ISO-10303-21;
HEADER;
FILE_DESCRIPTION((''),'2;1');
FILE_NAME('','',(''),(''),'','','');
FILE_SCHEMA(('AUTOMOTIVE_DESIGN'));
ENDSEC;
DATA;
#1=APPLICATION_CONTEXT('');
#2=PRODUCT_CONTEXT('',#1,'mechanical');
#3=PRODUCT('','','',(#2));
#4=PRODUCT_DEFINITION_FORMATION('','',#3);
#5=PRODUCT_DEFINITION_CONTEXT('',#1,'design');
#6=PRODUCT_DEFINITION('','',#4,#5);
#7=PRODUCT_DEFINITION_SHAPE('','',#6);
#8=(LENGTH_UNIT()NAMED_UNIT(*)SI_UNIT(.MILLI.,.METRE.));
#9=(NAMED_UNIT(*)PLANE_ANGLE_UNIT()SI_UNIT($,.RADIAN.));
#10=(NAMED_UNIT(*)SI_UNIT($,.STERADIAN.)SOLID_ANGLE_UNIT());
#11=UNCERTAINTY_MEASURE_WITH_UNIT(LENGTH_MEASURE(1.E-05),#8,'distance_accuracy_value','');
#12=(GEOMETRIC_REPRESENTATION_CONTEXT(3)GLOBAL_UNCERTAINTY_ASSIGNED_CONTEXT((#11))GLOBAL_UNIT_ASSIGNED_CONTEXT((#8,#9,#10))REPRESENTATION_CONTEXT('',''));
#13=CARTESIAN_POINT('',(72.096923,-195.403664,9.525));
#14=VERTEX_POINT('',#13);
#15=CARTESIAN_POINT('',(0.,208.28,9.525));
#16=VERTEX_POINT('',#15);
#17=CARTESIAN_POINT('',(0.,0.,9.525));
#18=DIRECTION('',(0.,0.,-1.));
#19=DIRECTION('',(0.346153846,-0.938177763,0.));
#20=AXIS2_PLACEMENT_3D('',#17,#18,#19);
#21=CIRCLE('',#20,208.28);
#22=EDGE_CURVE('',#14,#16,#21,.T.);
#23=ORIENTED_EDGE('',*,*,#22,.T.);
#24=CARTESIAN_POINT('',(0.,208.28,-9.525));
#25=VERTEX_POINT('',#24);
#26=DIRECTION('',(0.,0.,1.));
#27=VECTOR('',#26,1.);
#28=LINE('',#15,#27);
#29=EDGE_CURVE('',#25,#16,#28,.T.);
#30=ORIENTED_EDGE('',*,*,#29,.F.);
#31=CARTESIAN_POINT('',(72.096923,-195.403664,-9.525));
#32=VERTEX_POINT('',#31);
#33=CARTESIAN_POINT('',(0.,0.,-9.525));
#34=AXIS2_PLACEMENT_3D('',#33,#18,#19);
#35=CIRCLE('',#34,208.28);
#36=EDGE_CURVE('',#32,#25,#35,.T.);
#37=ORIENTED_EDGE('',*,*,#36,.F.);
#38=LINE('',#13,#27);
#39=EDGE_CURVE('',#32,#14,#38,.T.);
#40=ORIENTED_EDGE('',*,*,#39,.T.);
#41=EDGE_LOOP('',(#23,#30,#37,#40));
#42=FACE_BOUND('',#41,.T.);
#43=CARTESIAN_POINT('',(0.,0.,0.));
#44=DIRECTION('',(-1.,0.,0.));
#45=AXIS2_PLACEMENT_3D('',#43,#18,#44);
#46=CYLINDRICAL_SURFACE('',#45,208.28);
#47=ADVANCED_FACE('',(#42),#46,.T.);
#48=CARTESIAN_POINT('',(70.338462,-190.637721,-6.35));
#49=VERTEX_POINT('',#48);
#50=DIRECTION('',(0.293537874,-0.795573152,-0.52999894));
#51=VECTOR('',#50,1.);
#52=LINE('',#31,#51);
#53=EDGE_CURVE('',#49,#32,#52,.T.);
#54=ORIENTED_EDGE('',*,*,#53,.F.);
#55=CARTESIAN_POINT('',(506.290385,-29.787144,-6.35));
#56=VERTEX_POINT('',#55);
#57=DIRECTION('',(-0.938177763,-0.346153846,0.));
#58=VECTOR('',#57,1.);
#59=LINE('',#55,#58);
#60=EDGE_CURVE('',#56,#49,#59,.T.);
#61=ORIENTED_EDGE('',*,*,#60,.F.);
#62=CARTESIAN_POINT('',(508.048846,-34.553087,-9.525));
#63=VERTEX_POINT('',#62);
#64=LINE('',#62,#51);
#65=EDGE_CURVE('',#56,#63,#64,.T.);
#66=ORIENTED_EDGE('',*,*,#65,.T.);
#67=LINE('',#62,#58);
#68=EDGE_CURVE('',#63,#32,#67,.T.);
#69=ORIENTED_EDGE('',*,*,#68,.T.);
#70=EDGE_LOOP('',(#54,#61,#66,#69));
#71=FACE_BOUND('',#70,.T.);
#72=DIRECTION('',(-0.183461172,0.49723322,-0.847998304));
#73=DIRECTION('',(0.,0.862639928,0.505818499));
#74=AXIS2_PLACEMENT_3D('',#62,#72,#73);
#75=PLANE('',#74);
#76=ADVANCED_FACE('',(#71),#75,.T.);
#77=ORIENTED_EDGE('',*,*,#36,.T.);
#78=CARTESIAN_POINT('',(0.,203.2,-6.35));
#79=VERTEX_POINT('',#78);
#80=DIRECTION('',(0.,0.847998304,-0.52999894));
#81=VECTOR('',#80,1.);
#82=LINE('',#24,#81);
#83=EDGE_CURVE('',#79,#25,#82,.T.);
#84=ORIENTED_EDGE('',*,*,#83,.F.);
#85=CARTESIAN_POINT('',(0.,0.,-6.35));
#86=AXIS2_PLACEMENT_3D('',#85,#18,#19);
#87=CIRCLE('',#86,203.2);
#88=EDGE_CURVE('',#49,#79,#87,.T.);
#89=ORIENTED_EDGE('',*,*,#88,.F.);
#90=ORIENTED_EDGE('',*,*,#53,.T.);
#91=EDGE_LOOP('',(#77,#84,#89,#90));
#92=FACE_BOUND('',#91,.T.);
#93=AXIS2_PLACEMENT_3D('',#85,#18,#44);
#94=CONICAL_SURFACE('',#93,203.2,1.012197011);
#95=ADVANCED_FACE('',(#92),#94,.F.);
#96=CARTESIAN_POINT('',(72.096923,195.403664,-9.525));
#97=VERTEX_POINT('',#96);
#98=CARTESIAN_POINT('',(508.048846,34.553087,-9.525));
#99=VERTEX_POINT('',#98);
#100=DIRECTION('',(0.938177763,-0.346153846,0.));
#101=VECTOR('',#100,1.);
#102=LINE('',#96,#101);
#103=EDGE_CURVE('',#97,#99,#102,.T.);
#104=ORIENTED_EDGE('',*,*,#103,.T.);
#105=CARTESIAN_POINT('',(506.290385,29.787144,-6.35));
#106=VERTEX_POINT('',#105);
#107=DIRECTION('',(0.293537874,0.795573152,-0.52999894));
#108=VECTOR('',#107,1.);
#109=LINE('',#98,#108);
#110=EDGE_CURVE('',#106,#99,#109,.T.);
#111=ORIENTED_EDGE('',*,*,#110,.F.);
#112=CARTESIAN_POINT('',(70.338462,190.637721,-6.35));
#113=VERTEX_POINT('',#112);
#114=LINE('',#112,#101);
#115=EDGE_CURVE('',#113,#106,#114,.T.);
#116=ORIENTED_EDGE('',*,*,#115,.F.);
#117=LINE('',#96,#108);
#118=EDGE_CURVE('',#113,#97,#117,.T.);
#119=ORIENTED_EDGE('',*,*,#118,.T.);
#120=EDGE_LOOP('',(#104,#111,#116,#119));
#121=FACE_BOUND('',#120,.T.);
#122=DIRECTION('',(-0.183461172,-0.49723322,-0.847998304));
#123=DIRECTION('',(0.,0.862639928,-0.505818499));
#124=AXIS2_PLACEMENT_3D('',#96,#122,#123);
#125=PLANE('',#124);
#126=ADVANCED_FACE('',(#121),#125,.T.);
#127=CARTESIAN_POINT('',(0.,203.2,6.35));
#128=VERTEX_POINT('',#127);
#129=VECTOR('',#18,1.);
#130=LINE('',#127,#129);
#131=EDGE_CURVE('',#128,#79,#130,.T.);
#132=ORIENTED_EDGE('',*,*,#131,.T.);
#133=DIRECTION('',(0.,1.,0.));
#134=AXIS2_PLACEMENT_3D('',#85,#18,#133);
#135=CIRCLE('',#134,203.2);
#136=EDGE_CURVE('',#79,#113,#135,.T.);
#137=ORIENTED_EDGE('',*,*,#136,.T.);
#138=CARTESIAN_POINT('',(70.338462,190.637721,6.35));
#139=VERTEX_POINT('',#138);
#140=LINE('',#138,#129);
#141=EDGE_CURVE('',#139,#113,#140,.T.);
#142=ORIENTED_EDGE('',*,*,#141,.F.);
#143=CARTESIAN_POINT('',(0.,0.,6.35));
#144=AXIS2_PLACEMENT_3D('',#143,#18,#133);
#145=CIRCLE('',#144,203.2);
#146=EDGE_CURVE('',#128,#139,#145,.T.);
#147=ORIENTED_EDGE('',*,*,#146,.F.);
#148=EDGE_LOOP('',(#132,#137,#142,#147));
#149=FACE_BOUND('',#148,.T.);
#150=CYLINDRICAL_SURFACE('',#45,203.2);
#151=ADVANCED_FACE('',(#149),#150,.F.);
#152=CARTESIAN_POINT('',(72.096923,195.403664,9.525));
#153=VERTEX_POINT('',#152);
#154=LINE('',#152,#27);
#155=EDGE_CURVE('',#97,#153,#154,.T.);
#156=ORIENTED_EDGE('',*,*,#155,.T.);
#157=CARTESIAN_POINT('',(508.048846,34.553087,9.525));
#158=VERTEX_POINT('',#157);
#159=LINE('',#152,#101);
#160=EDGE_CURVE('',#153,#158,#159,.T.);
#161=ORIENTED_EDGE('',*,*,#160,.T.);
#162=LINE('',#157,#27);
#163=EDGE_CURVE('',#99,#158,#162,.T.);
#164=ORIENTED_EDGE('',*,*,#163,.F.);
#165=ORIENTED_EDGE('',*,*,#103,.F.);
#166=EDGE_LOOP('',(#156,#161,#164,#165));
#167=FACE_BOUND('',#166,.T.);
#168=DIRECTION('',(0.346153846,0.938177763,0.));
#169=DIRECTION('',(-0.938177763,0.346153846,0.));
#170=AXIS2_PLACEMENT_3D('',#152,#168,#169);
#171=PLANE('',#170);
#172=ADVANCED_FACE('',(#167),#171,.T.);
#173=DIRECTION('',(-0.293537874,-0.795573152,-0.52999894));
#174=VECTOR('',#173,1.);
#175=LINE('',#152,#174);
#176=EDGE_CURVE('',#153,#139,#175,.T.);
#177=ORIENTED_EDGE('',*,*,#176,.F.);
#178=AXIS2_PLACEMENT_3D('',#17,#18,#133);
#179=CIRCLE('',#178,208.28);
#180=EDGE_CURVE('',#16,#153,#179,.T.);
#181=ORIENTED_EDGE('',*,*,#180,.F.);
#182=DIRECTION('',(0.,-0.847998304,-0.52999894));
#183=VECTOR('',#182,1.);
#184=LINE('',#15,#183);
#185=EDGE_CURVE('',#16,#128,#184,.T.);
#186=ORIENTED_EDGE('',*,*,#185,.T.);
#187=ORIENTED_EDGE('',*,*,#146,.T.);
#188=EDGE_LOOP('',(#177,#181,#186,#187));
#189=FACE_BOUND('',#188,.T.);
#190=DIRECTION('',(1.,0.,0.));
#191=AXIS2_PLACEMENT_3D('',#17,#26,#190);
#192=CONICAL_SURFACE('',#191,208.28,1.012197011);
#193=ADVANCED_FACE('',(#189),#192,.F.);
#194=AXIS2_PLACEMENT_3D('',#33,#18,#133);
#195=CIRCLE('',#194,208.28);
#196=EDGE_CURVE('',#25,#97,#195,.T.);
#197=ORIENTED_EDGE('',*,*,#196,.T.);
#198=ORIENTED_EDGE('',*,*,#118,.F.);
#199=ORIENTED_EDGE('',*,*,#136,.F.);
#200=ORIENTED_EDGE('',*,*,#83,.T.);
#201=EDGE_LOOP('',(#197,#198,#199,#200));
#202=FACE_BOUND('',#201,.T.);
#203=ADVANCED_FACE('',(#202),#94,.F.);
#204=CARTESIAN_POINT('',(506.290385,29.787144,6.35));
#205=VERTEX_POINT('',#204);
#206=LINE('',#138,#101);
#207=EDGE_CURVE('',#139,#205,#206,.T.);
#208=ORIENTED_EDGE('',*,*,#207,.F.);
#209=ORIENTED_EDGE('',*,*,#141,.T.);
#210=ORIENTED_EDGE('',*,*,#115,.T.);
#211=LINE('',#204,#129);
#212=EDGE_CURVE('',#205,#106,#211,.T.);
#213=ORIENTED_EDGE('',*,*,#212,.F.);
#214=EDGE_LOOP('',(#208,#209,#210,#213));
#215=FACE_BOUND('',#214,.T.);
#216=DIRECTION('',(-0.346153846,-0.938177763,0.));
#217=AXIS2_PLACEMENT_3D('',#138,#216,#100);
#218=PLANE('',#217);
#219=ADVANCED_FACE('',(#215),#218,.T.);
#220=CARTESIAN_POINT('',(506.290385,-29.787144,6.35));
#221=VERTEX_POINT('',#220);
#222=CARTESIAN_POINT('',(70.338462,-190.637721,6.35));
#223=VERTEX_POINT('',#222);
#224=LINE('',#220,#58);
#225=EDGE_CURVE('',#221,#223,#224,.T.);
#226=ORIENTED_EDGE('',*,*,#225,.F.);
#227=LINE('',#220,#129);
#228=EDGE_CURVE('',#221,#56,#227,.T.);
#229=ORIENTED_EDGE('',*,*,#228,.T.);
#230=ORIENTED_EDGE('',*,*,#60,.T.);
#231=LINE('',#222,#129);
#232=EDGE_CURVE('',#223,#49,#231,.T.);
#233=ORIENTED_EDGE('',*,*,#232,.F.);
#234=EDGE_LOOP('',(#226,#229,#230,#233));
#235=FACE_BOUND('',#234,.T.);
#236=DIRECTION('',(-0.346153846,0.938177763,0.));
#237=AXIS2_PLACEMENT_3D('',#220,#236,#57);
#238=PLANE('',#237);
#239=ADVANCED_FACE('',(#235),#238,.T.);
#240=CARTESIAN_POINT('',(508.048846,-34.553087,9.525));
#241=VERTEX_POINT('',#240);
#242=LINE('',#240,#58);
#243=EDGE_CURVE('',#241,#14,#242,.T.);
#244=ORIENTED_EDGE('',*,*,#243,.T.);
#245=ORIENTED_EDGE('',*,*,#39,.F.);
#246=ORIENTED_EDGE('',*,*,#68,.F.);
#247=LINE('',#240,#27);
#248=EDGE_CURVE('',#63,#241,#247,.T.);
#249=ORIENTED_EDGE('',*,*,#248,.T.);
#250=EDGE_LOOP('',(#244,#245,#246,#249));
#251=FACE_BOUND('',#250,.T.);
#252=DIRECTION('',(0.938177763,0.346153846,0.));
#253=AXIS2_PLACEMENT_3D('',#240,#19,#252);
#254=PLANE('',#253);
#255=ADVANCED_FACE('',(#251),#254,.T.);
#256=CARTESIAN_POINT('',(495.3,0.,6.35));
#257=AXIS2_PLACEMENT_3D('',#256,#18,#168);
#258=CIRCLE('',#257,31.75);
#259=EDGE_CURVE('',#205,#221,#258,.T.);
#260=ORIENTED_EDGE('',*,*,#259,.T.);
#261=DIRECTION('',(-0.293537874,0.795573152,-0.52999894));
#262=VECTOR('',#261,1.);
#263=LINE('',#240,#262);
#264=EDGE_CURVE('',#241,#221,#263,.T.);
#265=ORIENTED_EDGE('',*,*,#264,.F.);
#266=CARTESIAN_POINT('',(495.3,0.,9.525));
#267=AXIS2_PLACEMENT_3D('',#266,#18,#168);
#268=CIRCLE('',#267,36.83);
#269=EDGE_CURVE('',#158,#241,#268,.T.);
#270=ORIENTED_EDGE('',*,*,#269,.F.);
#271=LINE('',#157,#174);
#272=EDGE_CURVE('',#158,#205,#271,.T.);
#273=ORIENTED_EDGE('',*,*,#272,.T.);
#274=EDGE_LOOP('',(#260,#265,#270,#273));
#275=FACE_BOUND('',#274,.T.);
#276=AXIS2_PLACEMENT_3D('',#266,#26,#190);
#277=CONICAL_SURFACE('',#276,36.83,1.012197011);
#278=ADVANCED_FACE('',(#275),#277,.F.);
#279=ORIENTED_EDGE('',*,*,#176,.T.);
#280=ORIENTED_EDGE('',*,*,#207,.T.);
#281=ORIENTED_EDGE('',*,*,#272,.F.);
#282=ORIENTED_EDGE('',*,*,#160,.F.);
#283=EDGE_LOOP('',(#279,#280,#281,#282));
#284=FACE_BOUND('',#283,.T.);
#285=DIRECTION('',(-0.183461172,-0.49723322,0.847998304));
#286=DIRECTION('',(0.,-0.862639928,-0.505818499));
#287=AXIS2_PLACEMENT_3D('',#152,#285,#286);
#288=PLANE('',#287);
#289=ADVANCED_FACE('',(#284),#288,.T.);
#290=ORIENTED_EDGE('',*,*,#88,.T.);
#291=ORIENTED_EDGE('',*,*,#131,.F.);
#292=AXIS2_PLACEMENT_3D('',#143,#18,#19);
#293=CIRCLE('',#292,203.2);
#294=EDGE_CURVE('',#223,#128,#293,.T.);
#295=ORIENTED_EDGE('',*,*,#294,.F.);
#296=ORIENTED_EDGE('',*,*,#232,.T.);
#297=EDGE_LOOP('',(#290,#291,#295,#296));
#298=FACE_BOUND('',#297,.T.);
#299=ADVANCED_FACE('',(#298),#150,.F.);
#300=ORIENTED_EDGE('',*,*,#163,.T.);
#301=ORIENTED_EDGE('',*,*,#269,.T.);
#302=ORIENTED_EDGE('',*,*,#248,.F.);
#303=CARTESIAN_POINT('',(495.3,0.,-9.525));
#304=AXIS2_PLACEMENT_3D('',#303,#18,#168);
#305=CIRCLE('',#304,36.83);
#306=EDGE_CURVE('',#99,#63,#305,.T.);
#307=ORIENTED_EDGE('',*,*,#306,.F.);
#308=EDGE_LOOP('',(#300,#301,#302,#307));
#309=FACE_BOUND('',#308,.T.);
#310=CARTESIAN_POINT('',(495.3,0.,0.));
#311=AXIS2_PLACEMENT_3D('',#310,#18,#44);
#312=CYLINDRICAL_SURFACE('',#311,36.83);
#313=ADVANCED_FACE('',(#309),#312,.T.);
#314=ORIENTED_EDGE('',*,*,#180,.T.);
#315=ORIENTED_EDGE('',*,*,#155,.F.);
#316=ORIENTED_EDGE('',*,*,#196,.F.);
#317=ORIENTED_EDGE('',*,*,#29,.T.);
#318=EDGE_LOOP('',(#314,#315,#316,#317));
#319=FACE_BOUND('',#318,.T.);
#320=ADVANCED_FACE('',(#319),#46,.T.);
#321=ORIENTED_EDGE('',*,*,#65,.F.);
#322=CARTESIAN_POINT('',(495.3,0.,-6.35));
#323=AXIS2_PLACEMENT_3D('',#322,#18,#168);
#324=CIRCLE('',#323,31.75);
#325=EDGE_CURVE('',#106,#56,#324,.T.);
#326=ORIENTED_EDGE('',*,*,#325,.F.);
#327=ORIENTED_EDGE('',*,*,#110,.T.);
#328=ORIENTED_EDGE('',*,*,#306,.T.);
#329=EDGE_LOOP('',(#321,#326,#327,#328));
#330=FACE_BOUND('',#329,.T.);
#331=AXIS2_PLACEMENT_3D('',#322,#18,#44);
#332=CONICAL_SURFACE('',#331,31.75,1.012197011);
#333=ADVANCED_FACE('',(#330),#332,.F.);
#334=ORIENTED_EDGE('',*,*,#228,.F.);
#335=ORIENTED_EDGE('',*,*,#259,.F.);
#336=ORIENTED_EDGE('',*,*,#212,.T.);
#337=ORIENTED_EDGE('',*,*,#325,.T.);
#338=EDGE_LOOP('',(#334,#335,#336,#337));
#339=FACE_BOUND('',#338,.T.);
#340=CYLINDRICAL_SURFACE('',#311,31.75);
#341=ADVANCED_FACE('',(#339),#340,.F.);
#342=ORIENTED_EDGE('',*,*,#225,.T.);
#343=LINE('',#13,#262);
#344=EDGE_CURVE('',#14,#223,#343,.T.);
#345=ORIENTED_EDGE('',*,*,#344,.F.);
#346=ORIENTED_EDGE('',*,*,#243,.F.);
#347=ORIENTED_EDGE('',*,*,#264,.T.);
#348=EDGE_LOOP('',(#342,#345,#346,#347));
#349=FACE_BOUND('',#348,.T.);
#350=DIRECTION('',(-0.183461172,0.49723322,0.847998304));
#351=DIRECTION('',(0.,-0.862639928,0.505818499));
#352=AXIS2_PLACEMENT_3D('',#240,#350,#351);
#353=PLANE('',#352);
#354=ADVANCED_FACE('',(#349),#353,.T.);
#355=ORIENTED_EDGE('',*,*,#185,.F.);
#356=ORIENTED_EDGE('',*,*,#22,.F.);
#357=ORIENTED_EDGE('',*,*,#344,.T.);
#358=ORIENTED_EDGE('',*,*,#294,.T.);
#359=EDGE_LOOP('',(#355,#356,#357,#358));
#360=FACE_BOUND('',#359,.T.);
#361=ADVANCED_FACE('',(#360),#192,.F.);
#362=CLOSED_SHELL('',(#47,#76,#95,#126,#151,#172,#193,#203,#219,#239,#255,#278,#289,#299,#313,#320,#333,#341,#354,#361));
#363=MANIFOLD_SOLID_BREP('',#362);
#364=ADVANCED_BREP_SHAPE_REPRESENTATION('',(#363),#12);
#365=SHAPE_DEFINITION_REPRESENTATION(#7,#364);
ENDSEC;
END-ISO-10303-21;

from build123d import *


with BuildPart() as part:
    # Sweep1: sweep along a path in Sketch1
    with BuildLine(Plane.XY) as sweep1_path:
        Line((70.338461538, 190.637721421), (506.290384615, 29.787143972))
        ThreePointArc((506.290384615, 29.787143972), (527.05, 0), (506.290384615, -29.787143972))
        Line((506.290384615, -29.787143972), (70.338461538, -190.637721421))
        ThreePointArc((70.338461538, -190.637721421), (-203.2, 0), (70.338461538, 190.637721421))
    # Sketch3 → Sweep1 (sweep)
    with BuildSketch(Plane(origin=(0, 0, 0), x_dir=(0, 0, -1), z_dir=(1, 0, 0))):
        Polygon((-6.35, 203.2), (6.35, 203.2), (9.525, 208.28), (-9.525, 208.28), align=None)
    sweep(path=sweep1_path.line)


solid = part.part
